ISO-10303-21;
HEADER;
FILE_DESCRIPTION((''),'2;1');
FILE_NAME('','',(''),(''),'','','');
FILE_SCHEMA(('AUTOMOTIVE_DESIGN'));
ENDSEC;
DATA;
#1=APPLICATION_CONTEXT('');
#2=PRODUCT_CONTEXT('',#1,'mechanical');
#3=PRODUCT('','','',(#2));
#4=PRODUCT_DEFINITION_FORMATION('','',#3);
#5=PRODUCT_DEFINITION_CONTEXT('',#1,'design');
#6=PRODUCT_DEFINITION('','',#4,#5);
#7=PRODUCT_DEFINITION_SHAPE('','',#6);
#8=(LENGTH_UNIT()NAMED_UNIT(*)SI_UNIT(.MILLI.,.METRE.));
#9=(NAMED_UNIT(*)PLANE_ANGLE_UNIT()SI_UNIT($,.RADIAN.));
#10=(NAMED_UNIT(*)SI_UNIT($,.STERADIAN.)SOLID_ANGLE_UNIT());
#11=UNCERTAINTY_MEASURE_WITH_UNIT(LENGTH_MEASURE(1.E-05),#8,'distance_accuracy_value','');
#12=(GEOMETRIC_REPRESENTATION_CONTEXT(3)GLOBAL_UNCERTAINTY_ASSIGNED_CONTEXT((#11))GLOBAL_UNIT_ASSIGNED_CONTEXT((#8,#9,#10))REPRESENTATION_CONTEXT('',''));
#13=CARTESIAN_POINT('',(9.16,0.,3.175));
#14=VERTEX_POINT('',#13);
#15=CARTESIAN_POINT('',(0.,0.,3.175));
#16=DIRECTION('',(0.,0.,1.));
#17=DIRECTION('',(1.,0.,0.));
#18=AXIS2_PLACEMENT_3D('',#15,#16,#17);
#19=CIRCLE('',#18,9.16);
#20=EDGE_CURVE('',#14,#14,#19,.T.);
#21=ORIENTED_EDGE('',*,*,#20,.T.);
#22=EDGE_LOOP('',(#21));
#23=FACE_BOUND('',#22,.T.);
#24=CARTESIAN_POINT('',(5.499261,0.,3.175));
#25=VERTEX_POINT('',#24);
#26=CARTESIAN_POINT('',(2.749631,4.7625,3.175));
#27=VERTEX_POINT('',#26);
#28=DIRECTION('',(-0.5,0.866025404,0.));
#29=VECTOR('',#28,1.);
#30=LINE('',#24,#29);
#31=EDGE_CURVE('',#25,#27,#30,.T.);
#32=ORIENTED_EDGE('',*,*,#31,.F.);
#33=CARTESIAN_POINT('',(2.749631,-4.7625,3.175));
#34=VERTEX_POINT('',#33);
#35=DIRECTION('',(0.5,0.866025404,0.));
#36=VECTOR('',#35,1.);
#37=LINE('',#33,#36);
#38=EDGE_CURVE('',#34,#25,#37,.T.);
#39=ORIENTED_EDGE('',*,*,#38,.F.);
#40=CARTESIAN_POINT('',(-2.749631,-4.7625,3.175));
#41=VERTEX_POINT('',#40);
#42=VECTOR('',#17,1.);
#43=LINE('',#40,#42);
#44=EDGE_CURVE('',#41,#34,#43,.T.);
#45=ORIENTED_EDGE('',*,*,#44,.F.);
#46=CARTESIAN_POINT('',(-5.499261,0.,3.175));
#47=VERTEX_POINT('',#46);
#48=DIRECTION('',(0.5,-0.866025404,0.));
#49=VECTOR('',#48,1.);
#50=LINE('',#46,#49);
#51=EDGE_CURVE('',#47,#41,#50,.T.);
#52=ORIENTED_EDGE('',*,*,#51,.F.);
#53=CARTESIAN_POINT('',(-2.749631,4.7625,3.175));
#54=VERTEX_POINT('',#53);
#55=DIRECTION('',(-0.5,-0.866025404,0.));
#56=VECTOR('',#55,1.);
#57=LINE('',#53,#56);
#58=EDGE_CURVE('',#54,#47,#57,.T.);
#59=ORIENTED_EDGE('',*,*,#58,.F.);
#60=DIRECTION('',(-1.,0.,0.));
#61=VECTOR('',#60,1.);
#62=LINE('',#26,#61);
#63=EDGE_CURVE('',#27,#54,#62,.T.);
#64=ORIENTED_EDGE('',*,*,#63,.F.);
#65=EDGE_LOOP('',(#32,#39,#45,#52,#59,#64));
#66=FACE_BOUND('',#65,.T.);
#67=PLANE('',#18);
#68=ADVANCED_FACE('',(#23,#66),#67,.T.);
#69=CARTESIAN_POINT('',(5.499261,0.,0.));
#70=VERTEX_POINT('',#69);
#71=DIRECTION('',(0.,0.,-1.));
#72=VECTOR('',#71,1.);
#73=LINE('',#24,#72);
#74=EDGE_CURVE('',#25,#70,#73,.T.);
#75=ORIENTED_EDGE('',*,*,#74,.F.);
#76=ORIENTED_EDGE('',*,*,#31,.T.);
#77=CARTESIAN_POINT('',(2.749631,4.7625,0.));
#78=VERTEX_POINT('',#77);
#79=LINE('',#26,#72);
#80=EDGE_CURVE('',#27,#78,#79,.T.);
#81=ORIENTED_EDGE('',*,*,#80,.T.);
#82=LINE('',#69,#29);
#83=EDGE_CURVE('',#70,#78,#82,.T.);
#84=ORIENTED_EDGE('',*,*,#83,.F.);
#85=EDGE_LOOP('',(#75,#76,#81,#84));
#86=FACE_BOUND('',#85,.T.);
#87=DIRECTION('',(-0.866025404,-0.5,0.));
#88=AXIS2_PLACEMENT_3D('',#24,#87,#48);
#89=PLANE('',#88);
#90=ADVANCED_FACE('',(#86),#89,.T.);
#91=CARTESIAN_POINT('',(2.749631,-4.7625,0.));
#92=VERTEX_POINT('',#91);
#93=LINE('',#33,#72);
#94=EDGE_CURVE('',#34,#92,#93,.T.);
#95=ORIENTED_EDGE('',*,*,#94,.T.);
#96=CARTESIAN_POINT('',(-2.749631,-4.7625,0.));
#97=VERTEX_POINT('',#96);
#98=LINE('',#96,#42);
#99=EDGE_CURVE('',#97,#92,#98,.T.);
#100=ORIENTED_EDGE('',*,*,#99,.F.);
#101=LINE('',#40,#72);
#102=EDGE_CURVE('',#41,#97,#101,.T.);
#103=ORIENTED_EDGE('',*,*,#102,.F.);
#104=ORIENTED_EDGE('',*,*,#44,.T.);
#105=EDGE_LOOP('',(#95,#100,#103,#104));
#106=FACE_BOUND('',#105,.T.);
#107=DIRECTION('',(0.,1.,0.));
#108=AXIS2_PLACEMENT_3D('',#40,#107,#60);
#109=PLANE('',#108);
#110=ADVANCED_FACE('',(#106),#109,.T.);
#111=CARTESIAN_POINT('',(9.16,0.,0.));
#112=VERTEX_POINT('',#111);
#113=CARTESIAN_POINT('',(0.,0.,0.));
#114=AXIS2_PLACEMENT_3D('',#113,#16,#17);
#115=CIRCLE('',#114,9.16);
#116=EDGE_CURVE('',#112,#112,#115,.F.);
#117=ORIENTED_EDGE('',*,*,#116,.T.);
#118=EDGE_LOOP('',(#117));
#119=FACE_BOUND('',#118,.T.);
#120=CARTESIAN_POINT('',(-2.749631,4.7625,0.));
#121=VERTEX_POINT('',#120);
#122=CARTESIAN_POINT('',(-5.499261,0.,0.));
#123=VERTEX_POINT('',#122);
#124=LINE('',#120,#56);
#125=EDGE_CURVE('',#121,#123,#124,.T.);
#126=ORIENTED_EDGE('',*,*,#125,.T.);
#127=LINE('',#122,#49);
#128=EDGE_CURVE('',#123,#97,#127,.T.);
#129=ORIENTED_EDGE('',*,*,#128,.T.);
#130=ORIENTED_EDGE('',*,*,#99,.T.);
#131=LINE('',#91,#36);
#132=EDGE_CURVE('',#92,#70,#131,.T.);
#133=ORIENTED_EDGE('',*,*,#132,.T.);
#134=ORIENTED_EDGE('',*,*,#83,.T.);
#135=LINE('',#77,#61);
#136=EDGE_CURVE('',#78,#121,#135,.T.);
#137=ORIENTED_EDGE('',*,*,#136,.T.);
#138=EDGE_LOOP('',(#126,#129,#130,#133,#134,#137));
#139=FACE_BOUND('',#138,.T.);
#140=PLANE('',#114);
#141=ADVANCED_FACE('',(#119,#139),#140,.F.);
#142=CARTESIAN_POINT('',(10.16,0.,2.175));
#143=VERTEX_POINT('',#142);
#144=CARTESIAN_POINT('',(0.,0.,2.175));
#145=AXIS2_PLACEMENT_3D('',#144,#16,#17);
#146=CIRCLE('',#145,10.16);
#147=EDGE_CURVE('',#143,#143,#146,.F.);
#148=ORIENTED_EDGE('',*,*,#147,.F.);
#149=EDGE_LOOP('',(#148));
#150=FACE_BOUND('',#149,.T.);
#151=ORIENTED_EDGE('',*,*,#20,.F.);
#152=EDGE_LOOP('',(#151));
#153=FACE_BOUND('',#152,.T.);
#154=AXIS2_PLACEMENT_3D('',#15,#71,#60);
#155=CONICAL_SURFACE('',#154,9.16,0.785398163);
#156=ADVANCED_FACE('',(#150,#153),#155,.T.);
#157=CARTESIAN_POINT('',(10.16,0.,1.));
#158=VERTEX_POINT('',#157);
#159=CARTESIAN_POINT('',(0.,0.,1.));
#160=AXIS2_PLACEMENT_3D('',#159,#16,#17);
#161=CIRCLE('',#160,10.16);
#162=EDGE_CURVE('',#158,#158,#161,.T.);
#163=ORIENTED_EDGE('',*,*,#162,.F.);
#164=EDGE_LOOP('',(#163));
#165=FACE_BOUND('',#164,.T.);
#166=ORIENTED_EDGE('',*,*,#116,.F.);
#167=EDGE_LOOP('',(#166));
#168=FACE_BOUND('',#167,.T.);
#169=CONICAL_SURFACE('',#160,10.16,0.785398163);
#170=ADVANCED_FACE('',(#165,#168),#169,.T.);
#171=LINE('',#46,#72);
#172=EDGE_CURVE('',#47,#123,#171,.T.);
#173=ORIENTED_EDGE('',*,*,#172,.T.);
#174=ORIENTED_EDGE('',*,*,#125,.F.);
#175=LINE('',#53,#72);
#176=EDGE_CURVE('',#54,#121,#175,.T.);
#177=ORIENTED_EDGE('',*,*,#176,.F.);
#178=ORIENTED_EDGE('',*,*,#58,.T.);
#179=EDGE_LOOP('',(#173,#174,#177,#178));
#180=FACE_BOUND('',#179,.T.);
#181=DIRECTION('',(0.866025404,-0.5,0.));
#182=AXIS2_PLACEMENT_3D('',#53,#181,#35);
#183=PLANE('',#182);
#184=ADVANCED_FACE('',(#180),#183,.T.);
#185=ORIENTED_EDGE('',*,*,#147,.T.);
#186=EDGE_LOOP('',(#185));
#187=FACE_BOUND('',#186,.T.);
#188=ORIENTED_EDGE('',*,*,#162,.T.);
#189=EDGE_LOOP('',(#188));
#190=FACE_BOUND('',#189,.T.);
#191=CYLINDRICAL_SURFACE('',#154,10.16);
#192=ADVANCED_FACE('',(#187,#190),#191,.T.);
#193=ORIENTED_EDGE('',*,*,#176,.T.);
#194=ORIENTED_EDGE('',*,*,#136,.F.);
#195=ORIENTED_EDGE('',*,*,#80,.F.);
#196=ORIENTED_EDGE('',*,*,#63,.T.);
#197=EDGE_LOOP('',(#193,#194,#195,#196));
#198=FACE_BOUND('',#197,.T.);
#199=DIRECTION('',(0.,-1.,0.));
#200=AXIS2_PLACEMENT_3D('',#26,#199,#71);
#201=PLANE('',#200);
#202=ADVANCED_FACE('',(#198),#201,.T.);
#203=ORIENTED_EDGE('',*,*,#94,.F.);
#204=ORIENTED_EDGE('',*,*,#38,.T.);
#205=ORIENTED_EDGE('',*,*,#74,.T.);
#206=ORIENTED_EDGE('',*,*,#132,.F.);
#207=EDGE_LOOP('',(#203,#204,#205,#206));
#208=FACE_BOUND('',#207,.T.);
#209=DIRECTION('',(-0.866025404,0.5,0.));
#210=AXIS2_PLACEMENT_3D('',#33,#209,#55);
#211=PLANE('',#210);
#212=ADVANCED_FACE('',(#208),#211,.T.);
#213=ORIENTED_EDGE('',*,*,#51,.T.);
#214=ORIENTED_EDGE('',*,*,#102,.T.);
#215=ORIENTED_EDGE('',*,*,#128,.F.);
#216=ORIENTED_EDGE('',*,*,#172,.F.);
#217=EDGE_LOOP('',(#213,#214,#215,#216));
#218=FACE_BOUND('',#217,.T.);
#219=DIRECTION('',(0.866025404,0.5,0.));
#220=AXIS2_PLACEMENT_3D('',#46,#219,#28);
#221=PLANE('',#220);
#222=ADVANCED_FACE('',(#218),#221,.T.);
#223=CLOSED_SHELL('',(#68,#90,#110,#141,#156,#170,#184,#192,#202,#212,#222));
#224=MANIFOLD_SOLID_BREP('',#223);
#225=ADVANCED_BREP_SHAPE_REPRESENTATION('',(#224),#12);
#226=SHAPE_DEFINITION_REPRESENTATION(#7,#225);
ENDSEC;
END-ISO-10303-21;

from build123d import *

# Parameters (mm, degrees)
SKETCH1_R           = 10.16
BOSS_EXTRUDE1_DEPTH = 3.175
CHAMFER1_SIZE       = 1


with BuildPart() as part:
    # Sketch1 → Boss-Extrude1 (new body)
    with BuildSketch(Plane.XY):
        Circle(SKETCH1_R)
        Polygon((5.499261314, 0), (2.749630657, 4.7625), (-2.749630657, 4.7625), (-5.499261314, 0), (-2.749630657, -4.7625), (2.749630657, -4.7625), align=None, mode=Mode.SUBTRACT)
    extrude(amount=BOSS_EXTRUDE1_DEPTH)

    # Chamfer1
    chamfer1_edges = [part.edges().sort_by_distance(p)[0] for p in [
        (-10.16, 0, 0),
        (-10.16, 0, 3.175),
    ]]
    chamfer(chamfer1_edges, length=CHAMFER1_SIZE)


solid = part.part
